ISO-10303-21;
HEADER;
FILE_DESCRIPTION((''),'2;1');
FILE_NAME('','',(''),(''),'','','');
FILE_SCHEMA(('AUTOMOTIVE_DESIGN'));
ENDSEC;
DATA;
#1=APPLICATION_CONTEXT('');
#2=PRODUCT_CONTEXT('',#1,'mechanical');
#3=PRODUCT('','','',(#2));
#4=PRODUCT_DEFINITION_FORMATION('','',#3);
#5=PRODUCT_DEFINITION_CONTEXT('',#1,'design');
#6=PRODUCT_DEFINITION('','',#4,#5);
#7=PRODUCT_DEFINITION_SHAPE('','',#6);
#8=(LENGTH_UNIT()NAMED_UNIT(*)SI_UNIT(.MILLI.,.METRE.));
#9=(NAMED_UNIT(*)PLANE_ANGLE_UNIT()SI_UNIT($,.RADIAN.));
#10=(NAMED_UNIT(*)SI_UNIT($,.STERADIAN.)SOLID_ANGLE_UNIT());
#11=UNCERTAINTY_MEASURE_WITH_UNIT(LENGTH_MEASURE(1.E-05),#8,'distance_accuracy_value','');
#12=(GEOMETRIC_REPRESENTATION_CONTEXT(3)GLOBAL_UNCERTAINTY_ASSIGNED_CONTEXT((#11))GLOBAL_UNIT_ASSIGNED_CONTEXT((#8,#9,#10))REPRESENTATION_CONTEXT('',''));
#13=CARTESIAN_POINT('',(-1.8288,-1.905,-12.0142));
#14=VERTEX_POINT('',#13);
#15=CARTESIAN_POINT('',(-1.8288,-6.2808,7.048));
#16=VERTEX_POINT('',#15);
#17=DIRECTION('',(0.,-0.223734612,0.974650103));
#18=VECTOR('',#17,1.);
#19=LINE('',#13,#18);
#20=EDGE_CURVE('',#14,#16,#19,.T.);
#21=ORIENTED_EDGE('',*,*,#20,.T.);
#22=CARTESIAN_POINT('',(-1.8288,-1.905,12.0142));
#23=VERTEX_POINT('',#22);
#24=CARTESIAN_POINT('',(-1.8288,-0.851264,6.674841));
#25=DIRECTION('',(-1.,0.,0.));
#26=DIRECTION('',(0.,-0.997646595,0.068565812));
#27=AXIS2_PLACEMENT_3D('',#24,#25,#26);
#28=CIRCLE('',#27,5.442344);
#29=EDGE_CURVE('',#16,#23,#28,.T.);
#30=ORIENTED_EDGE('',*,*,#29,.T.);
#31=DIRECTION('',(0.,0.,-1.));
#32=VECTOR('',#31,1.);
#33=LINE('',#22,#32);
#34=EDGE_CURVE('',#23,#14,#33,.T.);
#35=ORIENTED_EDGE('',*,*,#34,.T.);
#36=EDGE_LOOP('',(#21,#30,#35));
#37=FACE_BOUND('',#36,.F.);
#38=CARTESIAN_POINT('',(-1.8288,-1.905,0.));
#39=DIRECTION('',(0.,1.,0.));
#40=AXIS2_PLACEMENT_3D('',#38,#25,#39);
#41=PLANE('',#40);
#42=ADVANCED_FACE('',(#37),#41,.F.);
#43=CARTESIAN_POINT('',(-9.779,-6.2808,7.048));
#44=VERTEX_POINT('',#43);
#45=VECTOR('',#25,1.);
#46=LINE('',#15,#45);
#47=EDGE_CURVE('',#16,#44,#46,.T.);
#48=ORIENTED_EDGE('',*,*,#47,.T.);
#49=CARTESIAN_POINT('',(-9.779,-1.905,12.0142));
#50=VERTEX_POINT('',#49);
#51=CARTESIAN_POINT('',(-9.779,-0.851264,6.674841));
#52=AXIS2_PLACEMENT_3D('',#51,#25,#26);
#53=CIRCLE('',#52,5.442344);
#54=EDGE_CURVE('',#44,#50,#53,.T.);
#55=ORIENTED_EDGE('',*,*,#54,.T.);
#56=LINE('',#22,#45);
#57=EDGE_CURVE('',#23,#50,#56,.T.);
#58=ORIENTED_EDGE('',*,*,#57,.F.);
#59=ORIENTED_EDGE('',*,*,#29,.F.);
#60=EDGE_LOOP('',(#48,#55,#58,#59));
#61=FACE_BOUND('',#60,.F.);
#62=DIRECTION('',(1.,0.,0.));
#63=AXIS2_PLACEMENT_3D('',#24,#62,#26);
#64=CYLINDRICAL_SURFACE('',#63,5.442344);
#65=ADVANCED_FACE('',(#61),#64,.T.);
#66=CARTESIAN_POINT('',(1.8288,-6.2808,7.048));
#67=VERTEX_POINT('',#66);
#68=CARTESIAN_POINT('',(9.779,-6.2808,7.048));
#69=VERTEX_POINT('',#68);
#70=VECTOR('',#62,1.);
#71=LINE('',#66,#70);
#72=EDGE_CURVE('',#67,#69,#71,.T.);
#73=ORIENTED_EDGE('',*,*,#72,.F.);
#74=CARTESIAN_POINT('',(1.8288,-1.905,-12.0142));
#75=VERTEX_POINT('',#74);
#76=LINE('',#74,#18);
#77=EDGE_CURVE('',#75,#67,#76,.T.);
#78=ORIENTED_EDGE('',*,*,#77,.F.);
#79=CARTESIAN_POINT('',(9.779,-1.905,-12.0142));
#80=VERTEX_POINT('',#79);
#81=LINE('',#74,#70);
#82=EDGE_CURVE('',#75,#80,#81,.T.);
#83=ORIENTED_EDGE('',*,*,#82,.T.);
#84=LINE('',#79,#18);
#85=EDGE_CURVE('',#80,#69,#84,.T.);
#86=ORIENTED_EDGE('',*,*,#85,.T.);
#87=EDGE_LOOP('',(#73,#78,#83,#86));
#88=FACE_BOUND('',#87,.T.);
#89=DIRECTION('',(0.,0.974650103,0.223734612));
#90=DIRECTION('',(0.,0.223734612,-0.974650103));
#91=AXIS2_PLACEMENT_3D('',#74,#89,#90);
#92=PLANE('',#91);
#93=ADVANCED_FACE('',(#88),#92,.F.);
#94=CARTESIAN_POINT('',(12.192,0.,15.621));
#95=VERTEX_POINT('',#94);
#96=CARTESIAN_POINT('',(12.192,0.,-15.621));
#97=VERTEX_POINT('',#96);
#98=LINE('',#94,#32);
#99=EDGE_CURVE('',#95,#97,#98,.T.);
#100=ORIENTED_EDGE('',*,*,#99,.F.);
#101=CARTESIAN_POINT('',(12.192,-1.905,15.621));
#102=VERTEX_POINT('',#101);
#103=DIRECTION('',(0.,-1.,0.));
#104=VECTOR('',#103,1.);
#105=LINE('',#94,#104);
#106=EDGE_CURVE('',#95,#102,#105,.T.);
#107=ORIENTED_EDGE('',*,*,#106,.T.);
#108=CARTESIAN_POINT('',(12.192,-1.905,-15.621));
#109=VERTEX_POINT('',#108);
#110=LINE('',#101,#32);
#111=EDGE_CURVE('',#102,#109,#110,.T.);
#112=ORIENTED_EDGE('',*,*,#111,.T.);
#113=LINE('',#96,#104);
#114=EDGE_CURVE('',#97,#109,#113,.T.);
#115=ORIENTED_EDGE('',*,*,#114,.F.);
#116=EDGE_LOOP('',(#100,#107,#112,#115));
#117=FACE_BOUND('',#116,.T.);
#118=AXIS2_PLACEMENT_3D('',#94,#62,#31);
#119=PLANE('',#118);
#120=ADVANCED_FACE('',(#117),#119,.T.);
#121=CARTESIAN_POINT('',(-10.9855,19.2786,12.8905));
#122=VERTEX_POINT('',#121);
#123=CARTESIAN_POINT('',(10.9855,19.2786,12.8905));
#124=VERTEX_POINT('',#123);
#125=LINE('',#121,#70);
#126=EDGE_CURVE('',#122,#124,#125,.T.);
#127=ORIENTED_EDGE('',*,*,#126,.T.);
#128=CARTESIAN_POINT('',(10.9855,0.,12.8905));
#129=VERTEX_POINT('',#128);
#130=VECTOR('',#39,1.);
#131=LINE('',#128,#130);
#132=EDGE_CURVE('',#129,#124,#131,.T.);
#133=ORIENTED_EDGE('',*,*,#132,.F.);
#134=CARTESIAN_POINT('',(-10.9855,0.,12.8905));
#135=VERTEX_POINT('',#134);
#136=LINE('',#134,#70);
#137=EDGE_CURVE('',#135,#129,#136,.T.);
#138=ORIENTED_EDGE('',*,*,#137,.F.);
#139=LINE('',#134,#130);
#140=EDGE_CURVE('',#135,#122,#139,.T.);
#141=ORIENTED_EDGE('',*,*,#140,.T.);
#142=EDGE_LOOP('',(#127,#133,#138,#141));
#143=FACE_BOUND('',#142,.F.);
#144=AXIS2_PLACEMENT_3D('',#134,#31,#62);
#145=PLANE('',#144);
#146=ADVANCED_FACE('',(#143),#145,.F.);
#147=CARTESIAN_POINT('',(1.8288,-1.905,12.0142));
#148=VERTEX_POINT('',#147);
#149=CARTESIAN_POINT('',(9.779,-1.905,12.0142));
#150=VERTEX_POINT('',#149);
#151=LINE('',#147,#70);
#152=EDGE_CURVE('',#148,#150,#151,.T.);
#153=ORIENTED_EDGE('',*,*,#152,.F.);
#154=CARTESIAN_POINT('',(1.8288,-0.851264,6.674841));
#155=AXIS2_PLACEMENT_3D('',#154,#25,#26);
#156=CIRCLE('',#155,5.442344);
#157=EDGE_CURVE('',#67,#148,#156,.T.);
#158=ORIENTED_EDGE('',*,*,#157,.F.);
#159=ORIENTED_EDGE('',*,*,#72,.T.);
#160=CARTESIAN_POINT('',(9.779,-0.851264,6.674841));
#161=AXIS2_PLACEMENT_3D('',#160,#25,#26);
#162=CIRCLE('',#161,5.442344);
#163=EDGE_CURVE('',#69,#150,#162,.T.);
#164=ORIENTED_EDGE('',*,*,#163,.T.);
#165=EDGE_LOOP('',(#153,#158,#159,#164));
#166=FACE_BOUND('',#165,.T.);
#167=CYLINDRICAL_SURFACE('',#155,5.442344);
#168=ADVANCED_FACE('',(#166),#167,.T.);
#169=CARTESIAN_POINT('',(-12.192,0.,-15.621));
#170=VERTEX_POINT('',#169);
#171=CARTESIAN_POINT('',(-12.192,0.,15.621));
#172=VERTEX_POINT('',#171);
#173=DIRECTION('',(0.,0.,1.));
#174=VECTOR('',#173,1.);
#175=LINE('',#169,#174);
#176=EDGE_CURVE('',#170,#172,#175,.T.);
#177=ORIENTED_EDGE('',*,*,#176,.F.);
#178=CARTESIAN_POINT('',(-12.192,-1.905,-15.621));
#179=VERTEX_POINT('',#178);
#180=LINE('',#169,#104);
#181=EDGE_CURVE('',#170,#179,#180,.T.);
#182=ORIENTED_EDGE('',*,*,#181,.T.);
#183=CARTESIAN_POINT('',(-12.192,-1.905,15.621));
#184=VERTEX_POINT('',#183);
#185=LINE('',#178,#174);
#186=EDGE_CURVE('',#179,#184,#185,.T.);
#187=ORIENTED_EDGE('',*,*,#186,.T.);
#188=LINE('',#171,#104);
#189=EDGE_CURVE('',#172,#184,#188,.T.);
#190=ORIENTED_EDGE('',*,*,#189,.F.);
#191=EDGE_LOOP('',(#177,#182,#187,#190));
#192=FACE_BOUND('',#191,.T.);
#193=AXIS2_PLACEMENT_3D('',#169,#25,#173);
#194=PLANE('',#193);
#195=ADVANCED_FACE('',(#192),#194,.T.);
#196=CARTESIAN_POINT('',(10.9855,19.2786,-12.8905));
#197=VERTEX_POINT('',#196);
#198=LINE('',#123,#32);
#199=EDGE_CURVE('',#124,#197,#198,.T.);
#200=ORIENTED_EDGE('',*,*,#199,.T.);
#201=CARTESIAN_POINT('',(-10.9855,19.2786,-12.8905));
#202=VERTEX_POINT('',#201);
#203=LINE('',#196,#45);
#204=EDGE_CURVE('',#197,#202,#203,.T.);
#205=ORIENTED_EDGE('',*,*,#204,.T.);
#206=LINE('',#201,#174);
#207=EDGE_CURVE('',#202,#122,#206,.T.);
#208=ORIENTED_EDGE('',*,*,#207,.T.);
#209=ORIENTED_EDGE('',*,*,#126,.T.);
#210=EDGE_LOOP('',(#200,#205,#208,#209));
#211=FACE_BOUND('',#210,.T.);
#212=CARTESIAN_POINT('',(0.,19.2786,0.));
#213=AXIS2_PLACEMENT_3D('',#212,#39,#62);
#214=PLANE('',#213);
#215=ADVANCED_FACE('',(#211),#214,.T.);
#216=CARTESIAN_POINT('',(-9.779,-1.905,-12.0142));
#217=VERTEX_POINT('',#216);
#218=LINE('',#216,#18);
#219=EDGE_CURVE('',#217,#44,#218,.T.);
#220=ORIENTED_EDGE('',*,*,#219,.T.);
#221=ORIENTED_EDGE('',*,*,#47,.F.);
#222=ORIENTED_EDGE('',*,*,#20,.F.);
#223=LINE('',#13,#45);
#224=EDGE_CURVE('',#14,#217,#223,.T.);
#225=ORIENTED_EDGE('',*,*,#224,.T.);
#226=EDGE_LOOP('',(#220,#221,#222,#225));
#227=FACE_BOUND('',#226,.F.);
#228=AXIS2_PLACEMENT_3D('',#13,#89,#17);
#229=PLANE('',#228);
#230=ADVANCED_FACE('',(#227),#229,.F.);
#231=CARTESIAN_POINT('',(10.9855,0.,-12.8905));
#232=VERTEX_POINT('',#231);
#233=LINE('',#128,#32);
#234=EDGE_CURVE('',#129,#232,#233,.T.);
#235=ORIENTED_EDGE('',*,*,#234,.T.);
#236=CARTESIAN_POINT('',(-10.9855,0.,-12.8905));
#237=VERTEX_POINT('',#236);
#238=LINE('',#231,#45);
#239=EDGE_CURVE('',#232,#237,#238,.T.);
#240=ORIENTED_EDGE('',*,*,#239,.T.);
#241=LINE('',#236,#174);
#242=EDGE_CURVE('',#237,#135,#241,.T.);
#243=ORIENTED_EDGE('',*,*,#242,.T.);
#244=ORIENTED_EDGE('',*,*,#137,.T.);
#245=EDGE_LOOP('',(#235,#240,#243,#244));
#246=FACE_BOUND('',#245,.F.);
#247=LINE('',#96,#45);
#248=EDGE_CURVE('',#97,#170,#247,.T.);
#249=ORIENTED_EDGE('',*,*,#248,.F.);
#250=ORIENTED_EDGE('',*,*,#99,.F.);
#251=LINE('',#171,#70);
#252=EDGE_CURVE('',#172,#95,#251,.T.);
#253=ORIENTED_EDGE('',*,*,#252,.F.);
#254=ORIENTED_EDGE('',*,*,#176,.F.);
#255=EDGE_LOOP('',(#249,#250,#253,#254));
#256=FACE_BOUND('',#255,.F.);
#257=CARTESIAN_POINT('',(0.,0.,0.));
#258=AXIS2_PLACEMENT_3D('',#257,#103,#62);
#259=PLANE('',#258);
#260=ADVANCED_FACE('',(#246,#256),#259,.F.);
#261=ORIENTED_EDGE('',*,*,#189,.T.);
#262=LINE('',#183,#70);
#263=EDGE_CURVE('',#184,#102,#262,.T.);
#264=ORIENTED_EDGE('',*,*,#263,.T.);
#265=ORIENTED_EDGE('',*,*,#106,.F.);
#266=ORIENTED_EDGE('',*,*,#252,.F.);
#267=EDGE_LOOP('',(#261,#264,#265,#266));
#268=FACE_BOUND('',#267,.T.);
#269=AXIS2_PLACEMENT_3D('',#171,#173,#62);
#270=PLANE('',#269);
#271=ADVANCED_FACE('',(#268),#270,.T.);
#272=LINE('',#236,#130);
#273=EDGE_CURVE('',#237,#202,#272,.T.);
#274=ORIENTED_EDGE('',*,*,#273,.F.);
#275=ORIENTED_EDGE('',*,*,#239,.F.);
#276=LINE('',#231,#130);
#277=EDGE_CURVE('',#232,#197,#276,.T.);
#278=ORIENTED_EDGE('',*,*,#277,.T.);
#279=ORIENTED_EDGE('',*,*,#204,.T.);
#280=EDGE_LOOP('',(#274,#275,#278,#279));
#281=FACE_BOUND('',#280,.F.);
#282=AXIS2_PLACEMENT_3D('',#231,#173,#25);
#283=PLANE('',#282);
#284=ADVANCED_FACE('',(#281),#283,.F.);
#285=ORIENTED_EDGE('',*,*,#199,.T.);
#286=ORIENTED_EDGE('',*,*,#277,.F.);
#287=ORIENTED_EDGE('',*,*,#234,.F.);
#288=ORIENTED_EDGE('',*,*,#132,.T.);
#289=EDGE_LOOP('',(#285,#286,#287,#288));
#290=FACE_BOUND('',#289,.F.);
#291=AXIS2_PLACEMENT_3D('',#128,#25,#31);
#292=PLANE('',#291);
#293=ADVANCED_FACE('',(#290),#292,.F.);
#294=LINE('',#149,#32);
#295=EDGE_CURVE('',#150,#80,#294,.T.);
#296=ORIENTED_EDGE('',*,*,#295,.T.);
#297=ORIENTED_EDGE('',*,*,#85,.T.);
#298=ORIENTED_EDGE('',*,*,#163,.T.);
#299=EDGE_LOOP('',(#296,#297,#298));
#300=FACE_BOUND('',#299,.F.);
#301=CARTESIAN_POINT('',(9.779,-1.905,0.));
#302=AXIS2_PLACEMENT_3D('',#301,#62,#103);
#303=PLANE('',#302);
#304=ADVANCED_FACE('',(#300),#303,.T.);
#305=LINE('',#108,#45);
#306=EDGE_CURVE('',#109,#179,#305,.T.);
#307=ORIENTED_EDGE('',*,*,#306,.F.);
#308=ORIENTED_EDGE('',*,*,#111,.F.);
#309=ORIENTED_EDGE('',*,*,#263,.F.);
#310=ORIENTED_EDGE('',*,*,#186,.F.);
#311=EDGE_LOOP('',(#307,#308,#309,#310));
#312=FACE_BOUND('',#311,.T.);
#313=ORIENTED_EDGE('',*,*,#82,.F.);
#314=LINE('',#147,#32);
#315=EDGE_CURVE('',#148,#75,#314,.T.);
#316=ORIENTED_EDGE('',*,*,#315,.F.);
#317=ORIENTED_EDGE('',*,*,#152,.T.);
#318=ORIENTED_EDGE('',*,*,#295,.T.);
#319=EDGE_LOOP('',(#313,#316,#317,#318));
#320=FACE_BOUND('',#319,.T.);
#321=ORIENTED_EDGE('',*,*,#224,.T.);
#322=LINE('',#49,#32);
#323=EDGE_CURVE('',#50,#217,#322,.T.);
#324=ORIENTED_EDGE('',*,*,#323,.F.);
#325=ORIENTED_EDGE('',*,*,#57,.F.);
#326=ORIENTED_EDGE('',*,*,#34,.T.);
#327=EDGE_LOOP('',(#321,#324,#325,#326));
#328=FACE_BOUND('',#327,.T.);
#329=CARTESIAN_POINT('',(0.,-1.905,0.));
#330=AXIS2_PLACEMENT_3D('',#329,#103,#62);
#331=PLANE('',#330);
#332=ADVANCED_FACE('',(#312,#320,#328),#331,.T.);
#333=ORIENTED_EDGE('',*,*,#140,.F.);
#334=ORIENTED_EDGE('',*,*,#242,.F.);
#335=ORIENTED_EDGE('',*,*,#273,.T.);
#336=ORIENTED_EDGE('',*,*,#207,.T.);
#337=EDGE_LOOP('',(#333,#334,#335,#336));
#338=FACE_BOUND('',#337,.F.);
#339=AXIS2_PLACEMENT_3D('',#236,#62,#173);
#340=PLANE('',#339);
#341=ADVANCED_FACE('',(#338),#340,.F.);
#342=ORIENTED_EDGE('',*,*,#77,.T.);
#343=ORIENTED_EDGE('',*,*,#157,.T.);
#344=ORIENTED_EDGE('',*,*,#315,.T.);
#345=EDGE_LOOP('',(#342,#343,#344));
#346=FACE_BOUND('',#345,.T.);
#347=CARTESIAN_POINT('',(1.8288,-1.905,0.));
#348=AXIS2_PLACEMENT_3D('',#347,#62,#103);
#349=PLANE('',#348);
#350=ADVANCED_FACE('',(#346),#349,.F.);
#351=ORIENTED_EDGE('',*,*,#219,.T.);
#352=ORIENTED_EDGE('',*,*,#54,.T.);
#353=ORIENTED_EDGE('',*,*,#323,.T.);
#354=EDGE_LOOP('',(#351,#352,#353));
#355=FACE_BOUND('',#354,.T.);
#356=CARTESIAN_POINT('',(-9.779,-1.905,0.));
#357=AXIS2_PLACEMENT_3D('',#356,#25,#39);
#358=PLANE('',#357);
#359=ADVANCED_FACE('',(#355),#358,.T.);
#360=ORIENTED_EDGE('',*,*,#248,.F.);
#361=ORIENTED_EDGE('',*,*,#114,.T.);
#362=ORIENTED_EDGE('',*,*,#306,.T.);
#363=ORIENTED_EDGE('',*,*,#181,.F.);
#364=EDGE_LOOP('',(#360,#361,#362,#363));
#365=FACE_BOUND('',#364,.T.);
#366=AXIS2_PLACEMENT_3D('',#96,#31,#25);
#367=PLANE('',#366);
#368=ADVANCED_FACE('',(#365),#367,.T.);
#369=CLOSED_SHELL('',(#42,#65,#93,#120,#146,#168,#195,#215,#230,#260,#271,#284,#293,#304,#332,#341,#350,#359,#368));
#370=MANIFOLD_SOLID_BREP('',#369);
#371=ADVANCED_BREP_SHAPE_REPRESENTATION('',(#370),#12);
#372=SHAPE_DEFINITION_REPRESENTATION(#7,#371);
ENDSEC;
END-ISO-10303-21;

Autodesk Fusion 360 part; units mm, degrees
sketch "Sketch1" plane through (0, 0, 0) normal (0, 1, 0) x (1, 0, 0)
  line L0 (10.9855, 12.8905) -> (-10.9855, 12.8905)
  line L1 (-10.9855, 12.8905) -> (-10.9855, -12.8905)
  line L2 (-10.9855, -12.8905) -> (10.9855, -12.8905)
  line L3 (10.9855, -12.8905) -> (10.9855, 12.8905)
  line L4 (10.9855, 12.8905) -> (-10.9855, -12.8905) construction
  line L5 (-10.9855, 12.8905) -> (10.9855, -12.8905) construction
  dimension "d1" = 21.971
  dimension "d2" = 25.781
extrude "Extrude1" add sketch "Sketch1" along normal blind 19.2786
sketch "Sketch2" plane through (0, 0, 0) normal (0, -1, 0) x (1, 0, 0)
  line L0 (10.9855, -12.8905) -> (10.9855, 12.8905)
  line L1 (10.9855, 12.8905) -> (-10.9855, 12.8905)
  line L2 (-10.9855, 12.8905) -> (-10.9855, -12.8905)
  line L3 (-10.9855, -12.8905) -> (10.9855, -12.8905)
  line L4 (12.192, -15.621) -> (-12.192, -15.621)
  line L5 (-12.192, -15.621) -> (-12.192, 15.621)
  line L6 (-12.192, 15.621) -> (12.192, 15.621)
  line L7 (12.192, 15.621) -> (12.192, -15.621)
  line L8 (12.192, -15.621) -> (-12.192, 15.621) construction
  line L9 (-12.192, -15.621) -> (12.192, 15.621) construction
  dimension "d5" = 24.384
  dimension "d6" = 31.242
extrude "Extrude2" add sketch "Sketch2" along normal blind 1.905 contours L0 L1 L2 L3 | L4 L5 L6 L7
sketch "Sketch3" plane through (0, -1.905, 0) normal (0, -1, 0) x (1, 0, 0)
  line L0 (12.192, 15.621) -> (-12.192, 15.621)
  line L1 (-12.192, 15.621) -> (-12.192, -15.621)
  line L2 (-12.192, -15.621) -> (12.192, -15.621)
  line L3 (12.192, -15.621) -> (12.192, 15.621)
  line L4 (-9.779, 12.0142) -> (-1.8288, 12.0142)
  line L5 (-1.8288, 12.0142) -> (-1.8288, -12.0142)
  line L6 (-1.8288, -12.0142) -> (-9.779, -12.0142)
  line L7 (-9.779, -12.0142) -> (-9.779, 12.0142)
  dimension "d9" = 3.6068
  dimension "d10" = 3.6068
  dimension "d11" = 2.413
  dimension "d12" = 7.9502
ref_plane "WorkPlane1" through (-1.8288, -1.905, 0) normal (-1, 0, 0) x (0, 0, -1)
sketch "Sketch5" plane through (-1.8288, -1.905, 0) normal (-1, 0, 0) x (0, 1, 0)
  line L0 (0, -12.0142) -> (0, 12.0142)
  line L1 (0, 12.0142) -> (-4.3758, -7.048)
  arc A0 (-4.3758, -7.048) -> (0, -12.0142) centre (1.0537, -6.6748) ccw
  dimension "d14" = 19.558
extrude "Extrude3" add sketch "Sketch5" along normal blind 7.9502
mirror "Mirror1" about plane through (0, 0, 0) normal (1, 0, 0) of "Extrude3"
equation "d10 = d9"
